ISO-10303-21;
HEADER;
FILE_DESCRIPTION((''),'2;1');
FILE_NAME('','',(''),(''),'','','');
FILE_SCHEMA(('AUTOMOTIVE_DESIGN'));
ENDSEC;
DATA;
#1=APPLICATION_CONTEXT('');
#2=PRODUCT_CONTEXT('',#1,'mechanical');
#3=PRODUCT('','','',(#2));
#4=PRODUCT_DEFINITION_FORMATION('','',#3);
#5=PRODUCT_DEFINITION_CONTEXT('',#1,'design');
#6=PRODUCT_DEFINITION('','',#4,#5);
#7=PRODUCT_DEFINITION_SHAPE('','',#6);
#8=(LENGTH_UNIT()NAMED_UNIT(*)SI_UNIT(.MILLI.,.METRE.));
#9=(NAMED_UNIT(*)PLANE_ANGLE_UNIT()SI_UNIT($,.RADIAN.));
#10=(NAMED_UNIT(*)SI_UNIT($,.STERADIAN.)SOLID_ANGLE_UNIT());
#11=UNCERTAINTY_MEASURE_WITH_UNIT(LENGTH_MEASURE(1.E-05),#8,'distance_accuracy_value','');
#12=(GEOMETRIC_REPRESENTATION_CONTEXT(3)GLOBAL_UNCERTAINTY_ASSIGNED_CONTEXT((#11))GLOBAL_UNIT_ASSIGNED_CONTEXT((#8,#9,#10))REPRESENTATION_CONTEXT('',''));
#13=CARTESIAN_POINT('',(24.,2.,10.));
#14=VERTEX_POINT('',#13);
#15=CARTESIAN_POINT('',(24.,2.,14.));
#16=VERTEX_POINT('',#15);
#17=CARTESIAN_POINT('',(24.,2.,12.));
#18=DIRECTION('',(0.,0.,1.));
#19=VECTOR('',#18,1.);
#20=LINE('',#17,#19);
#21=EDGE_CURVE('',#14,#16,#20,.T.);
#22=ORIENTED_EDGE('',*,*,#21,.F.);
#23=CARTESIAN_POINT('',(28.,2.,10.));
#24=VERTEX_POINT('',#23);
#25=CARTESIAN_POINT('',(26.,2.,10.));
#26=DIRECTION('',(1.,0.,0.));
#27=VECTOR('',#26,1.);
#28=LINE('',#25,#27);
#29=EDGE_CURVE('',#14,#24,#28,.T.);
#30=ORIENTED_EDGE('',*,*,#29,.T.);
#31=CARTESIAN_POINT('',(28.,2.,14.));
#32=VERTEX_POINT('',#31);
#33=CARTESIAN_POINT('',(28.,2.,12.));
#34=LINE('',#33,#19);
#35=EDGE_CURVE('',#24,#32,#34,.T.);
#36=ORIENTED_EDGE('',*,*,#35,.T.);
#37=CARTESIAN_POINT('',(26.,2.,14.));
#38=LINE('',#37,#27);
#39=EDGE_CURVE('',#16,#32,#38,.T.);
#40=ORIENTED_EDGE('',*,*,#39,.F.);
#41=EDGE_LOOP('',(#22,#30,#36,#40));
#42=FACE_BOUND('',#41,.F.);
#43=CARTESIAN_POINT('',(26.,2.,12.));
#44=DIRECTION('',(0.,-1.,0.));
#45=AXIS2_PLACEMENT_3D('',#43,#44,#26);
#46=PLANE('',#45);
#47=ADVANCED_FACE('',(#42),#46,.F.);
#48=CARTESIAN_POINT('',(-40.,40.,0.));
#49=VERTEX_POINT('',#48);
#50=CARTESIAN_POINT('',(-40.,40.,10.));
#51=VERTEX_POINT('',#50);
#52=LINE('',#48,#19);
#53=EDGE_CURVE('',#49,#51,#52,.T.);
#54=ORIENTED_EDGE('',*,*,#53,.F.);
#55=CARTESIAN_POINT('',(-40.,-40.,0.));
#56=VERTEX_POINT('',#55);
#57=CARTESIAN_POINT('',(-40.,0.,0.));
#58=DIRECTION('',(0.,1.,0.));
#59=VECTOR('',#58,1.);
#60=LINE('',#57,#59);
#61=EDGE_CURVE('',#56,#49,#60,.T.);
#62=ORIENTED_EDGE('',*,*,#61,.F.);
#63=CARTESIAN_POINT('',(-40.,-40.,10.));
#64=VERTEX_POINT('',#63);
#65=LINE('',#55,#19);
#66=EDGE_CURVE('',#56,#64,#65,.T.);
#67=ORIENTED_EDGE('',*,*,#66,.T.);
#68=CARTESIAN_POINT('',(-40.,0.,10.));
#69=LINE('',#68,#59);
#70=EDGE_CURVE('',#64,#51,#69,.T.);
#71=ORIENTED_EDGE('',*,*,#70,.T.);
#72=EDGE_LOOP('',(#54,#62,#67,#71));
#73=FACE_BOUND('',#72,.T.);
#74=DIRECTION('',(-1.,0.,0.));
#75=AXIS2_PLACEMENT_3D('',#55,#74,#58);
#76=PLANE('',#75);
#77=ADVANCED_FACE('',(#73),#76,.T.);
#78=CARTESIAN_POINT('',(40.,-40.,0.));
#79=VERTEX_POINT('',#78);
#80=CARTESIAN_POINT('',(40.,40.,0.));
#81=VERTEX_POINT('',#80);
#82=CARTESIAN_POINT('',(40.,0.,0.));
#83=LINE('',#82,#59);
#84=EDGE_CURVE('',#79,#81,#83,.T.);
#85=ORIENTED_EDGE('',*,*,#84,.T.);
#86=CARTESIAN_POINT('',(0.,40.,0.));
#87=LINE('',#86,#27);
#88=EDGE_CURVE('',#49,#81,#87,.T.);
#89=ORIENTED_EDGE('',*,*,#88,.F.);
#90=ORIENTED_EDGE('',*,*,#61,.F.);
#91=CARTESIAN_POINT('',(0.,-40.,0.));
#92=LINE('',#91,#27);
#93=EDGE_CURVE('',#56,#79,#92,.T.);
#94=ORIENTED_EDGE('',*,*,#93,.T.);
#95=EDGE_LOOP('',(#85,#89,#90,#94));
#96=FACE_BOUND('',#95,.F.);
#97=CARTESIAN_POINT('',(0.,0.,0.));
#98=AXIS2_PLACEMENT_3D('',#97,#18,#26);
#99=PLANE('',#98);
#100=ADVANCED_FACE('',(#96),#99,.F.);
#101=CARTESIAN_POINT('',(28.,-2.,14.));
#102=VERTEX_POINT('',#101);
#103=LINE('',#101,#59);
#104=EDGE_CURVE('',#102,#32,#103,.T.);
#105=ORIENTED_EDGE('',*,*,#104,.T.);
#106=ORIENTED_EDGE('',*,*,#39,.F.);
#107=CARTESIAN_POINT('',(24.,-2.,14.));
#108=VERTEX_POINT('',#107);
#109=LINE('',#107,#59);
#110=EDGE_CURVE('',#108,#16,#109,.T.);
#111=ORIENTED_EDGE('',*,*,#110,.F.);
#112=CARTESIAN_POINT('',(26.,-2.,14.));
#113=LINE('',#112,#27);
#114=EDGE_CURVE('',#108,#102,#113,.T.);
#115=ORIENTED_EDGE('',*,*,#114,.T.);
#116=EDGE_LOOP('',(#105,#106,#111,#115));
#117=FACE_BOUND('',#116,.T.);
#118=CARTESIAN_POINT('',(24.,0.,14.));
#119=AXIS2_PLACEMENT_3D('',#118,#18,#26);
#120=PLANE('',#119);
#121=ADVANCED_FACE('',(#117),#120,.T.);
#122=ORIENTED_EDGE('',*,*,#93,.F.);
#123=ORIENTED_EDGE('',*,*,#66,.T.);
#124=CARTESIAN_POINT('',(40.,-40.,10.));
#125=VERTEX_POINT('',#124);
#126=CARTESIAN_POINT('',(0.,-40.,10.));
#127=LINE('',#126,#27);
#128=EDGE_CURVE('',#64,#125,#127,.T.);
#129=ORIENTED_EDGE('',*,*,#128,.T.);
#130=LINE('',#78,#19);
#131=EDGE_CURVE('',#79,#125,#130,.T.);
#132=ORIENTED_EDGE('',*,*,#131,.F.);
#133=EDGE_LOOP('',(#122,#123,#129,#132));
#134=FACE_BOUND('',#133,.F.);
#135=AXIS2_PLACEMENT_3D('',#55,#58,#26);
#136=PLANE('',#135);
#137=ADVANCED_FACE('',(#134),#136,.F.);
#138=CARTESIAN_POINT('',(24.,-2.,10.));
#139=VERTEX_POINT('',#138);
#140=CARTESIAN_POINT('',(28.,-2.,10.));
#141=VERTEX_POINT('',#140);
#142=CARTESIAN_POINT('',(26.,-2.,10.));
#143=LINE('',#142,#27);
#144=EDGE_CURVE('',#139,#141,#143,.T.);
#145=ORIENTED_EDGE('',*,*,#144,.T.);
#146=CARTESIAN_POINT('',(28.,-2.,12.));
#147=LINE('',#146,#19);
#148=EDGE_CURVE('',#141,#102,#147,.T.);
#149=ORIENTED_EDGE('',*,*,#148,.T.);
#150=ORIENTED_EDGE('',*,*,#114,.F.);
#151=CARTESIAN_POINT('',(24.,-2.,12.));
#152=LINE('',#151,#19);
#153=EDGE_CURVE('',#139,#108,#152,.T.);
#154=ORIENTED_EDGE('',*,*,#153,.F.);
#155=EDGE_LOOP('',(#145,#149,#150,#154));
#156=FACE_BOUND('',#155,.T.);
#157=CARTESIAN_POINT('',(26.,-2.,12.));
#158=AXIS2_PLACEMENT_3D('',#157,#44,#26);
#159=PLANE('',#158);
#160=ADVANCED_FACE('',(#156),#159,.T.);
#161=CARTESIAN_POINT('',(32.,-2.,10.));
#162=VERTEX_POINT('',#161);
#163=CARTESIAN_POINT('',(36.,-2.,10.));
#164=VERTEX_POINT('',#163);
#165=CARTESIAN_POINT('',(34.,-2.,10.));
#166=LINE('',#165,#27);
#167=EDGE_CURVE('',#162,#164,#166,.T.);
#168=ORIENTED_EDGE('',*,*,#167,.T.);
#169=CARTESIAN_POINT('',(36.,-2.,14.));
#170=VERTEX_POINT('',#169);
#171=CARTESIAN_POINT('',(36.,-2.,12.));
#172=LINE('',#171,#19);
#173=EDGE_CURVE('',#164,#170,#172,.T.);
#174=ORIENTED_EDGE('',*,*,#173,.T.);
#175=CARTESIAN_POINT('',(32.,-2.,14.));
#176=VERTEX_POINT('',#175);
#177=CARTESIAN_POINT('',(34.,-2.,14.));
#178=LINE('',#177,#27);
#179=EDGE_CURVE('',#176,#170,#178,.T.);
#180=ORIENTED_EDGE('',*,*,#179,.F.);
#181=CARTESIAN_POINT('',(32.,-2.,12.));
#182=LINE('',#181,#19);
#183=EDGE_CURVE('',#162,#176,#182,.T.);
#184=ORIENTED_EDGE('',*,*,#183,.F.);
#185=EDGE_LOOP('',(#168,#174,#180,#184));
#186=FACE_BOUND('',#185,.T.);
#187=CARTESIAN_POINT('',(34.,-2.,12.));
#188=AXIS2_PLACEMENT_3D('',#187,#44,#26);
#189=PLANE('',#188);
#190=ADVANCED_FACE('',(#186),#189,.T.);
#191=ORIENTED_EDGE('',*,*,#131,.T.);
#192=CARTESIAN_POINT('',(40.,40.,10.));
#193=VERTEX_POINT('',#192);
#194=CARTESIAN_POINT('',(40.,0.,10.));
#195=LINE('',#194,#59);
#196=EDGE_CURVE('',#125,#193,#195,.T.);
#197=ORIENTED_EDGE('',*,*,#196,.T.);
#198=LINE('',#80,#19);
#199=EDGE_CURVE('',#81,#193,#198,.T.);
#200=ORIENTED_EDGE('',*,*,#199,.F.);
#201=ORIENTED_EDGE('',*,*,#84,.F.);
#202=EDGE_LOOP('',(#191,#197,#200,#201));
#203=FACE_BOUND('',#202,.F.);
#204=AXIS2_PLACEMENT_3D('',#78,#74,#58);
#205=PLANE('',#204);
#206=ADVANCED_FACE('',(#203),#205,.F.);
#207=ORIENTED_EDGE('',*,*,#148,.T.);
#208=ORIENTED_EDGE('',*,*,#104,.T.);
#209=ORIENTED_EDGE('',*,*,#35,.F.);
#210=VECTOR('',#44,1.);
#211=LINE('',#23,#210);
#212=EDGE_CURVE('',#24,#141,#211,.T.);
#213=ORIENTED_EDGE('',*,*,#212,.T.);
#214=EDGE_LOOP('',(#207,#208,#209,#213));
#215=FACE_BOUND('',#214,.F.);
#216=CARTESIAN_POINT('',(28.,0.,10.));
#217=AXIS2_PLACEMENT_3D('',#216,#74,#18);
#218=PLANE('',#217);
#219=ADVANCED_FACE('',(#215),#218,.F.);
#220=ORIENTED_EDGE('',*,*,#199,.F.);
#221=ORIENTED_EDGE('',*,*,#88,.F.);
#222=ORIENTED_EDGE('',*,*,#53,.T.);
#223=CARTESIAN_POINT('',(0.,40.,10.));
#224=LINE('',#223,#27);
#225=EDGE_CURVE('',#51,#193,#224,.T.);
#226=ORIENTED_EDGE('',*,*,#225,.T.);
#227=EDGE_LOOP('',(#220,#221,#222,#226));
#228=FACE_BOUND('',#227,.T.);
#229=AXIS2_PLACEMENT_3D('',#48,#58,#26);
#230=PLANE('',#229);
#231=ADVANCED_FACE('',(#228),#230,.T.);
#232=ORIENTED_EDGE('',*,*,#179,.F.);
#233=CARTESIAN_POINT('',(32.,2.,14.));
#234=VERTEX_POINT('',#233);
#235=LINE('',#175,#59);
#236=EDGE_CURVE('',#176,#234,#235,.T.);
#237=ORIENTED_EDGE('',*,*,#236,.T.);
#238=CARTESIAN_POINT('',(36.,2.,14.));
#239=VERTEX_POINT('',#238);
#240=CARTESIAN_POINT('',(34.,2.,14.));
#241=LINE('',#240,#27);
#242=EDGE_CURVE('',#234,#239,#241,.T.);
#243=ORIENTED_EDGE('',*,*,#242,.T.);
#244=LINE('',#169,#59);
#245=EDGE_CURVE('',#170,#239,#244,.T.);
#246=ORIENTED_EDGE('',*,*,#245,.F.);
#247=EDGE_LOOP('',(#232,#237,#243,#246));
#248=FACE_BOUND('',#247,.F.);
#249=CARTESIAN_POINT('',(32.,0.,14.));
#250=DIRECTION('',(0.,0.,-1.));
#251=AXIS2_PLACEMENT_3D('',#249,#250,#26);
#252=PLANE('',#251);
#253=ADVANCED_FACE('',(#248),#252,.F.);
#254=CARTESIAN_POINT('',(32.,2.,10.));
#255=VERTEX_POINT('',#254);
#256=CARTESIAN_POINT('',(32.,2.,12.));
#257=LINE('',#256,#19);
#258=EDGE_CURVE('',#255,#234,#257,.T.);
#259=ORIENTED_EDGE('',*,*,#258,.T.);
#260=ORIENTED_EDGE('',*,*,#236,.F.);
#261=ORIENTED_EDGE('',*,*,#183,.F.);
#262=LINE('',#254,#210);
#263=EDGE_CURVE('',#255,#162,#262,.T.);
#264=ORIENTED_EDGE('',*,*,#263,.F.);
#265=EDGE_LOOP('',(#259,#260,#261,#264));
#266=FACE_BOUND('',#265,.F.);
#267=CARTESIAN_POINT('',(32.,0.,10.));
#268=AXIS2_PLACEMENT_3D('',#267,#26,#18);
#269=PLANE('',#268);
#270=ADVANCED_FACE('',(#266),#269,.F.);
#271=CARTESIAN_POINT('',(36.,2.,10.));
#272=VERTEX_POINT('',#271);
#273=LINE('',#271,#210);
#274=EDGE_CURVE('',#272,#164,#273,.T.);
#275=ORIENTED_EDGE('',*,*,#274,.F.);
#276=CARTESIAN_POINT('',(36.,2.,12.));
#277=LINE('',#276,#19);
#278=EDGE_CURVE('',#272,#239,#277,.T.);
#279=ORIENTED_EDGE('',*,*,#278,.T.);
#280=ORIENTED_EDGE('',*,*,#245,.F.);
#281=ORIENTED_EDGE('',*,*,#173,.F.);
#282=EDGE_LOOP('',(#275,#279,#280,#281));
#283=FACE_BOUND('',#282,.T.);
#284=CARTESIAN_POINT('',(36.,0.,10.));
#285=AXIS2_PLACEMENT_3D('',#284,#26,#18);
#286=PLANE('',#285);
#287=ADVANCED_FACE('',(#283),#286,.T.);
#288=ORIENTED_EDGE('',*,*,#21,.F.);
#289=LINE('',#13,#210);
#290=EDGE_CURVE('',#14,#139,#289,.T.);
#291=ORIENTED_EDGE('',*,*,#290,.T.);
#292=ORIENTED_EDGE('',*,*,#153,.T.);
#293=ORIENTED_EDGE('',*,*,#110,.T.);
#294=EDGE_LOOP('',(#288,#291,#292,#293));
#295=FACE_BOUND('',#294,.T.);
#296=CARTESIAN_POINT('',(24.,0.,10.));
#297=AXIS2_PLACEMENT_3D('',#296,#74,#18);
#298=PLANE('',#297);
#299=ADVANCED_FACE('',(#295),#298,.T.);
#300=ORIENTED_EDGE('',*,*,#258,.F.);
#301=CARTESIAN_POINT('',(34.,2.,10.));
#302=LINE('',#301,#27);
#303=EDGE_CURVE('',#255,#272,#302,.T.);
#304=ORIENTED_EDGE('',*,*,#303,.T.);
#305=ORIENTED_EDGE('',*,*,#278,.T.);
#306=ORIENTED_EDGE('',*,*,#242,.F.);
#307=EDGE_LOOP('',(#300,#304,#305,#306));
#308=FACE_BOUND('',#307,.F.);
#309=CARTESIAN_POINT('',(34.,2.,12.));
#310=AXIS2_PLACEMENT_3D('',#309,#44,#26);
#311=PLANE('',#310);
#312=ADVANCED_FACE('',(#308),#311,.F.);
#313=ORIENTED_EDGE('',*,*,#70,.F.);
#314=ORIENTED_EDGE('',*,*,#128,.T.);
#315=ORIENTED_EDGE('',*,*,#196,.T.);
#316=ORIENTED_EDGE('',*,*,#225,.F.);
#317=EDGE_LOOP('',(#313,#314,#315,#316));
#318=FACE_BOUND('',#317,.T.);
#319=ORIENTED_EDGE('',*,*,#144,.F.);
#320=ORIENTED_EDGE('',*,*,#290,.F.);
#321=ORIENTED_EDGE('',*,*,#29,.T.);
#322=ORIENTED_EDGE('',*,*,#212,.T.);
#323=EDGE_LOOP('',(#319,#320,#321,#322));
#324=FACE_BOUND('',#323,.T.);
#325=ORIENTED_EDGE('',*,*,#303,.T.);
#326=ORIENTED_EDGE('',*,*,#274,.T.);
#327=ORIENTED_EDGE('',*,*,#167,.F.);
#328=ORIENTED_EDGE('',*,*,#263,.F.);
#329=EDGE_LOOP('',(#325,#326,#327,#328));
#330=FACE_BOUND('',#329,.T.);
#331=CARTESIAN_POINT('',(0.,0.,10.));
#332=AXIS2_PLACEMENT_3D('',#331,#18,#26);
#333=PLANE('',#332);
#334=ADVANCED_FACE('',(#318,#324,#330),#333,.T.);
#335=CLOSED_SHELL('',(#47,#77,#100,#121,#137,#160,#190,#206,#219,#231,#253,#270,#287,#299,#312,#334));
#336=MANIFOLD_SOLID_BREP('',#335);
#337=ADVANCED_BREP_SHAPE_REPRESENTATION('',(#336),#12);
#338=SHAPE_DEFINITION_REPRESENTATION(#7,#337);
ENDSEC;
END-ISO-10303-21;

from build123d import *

# Parameters (mm, degrees)
F0_W     = 80
F0_H     = 80
F1_DEPTH = 10
F2_W     = 4
F2_H     = 4
F3_DEPTH = 2


with BuildPart() as f1:
    # F0 (on Top) → F1 (new body)
    with BuildSketch(Plane.XY):
        Rectangle(F0_W, F0_H)
    extrude(amount=F1_DEPTH)

    # F2 (on Front) → F3 (join, symmetric)
    with BuildSketch(Plane.XZ):
        with Locations((26, 12)):
            Rectangle(F2_W, F2_H)
        with Locations((34, 12)):
            Rectangle(F2_W, F2_H)
    extrude(amount=F3_DEPTH, both=True)


solid = f1.part
